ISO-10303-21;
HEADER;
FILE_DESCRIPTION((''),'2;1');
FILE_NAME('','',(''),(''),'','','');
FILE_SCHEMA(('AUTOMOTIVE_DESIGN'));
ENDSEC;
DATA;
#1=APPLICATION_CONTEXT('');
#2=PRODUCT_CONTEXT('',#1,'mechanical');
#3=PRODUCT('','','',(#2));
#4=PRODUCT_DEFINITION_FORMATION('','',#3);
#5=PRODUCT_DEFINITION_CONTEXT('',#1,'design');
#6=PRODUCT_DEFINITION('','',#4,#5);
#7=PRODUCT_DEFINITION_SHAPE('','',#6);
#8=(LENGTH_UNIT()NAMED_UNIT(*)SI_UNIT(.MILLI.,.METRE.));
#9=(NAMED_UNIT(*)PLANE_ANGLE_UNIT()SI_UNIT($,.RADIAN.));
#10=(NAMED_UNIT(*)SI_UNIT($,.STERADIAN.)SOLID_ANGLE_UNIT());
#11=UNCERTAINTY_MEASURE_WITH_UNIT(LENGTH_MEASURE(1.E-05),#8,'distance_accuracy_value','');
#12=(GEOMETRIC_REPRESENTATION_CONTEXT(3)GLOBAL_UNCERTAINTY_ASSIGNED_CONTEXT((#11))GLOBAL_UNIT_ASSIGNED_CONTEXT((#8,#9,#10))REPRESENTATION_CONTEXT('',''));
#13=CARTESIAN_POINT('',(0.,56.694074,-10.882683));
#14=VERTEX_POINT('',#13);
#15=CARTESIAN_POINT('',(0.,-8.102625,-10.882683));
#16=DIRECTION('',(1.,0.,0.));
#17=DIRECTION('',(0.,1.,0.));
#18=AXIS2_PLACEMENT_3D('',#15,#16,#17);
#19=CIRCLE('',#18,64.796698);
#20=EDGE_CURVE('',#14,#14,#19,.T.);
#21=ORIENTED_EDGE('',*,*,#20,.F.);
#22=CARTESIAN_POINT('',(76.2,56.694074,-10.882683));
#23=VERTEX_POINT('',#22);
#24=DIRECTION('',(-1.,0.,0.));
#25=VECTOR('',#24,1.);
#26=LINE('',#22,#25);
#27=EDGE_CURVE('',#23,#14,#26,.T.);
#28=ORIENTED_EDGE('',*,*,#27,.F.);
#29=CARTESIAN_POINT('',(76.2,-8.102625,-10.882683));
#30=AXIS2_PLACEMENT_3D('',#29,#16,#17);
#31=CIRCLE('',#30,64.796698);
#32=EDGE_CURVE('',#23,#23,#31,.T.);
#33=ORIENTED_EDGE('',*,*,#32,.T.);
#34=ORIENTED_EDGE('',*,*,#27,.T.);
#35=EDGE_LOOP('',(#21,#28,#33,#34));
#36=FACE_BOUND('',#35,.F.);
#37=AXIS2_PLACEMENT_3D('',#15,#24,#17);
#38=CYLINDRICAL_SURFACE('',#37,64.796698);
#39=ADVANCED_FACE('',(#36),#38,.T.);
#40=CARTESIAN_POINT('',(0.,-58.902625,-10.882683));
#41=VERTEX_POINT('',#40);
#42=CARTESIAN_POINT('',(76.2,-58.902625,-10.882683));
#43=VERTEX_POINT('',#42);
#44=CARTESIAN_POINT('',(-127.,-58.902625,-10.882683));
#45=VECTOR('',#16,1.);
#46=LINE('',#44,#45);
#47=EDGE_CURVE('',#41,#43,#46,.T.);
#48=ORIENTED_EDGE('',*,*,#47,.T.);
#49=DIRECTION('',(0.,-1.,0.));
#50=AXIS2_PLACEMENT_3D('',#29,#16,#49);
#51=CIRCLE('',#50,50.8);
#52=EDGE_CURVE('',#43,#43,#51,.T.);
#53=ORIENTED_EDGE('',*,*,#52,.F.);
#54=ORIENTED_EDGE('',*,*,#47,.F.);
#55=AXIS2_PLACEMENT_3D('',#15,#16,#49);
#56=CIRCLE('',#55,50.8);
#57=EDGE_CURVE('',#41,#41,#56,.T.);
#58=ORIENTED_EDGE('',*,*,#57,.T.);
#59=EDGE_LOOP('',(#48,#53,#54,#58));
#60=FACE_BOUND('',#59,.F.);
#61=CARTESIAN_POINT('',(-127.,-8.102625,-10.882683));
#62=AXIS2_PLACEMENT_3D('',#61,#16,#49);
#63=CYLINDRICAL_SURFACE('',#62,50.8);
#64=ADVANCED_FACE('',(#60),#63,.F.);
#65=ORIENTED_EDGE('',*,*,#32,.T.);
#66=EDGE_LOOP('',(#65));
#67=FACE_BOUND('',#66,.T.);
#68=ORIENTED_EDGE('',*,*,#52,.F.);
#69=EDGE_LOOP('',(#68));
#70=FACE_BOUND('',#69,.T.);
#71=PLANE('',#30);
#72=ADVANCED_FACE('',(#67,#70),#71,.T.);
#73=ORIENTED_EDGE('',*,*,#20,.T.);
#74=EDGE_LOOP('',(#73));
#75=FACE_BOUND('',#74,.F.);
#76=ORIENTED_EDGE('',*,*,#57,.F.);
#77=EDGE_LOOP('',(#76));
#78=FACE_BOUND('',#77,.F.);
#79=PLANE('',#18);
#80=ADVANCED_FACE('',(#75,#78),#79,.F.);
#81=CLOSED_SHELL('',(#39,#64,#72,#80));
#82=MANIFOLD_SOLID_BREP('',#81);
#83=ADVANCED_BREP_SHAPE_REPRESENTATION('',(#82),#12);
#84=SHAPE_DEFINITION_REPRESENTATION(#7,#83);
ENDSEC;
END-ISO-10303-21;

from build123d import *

# Parameters (mm, degrees)
F0_R     = 64.7966982458
F1_DEPTH = 76.2
F2_DEPTH = 25.4
F3_D     = 101.6
F3_DEPTH = 127
F3_TIP   = 30.5237194466


with BuildPart() as f1:
    # F0 (on Right) → F1 (new body)
    with BuildSketch(Plane.YZ):
        with Locations((-8.1026245671, -10.8826834557)):
            Circle(F0_R)
    extrude(amount=F1_DEPTH)

    # F0 (on Right) → F2 (join)
    with BuildSketch(Plane.YZ):
        with Locations((-8.1026245671, -10.8826834557)):
            Circle(F0_R)
    extrude(amount=F2_DEPTH)

    # F3
    with Locations(Plane(origin=(0, 0, 0), x_dir=(0, 1, 0), z_dir=(-1, 0, 0))):
        with Locations((-8.1026245671, 10.8826834557)):
            Hole(F3_D / 2, depth=F3_DEPTH)
            with Locations((0, 0, -(F3_DEPTH + F3_TIP / 2))):  # 118° drill point
                Cone(0, F3_D / 2, F3_TIP, mode=Mode.SUBTRACT)


solid = f1.part
